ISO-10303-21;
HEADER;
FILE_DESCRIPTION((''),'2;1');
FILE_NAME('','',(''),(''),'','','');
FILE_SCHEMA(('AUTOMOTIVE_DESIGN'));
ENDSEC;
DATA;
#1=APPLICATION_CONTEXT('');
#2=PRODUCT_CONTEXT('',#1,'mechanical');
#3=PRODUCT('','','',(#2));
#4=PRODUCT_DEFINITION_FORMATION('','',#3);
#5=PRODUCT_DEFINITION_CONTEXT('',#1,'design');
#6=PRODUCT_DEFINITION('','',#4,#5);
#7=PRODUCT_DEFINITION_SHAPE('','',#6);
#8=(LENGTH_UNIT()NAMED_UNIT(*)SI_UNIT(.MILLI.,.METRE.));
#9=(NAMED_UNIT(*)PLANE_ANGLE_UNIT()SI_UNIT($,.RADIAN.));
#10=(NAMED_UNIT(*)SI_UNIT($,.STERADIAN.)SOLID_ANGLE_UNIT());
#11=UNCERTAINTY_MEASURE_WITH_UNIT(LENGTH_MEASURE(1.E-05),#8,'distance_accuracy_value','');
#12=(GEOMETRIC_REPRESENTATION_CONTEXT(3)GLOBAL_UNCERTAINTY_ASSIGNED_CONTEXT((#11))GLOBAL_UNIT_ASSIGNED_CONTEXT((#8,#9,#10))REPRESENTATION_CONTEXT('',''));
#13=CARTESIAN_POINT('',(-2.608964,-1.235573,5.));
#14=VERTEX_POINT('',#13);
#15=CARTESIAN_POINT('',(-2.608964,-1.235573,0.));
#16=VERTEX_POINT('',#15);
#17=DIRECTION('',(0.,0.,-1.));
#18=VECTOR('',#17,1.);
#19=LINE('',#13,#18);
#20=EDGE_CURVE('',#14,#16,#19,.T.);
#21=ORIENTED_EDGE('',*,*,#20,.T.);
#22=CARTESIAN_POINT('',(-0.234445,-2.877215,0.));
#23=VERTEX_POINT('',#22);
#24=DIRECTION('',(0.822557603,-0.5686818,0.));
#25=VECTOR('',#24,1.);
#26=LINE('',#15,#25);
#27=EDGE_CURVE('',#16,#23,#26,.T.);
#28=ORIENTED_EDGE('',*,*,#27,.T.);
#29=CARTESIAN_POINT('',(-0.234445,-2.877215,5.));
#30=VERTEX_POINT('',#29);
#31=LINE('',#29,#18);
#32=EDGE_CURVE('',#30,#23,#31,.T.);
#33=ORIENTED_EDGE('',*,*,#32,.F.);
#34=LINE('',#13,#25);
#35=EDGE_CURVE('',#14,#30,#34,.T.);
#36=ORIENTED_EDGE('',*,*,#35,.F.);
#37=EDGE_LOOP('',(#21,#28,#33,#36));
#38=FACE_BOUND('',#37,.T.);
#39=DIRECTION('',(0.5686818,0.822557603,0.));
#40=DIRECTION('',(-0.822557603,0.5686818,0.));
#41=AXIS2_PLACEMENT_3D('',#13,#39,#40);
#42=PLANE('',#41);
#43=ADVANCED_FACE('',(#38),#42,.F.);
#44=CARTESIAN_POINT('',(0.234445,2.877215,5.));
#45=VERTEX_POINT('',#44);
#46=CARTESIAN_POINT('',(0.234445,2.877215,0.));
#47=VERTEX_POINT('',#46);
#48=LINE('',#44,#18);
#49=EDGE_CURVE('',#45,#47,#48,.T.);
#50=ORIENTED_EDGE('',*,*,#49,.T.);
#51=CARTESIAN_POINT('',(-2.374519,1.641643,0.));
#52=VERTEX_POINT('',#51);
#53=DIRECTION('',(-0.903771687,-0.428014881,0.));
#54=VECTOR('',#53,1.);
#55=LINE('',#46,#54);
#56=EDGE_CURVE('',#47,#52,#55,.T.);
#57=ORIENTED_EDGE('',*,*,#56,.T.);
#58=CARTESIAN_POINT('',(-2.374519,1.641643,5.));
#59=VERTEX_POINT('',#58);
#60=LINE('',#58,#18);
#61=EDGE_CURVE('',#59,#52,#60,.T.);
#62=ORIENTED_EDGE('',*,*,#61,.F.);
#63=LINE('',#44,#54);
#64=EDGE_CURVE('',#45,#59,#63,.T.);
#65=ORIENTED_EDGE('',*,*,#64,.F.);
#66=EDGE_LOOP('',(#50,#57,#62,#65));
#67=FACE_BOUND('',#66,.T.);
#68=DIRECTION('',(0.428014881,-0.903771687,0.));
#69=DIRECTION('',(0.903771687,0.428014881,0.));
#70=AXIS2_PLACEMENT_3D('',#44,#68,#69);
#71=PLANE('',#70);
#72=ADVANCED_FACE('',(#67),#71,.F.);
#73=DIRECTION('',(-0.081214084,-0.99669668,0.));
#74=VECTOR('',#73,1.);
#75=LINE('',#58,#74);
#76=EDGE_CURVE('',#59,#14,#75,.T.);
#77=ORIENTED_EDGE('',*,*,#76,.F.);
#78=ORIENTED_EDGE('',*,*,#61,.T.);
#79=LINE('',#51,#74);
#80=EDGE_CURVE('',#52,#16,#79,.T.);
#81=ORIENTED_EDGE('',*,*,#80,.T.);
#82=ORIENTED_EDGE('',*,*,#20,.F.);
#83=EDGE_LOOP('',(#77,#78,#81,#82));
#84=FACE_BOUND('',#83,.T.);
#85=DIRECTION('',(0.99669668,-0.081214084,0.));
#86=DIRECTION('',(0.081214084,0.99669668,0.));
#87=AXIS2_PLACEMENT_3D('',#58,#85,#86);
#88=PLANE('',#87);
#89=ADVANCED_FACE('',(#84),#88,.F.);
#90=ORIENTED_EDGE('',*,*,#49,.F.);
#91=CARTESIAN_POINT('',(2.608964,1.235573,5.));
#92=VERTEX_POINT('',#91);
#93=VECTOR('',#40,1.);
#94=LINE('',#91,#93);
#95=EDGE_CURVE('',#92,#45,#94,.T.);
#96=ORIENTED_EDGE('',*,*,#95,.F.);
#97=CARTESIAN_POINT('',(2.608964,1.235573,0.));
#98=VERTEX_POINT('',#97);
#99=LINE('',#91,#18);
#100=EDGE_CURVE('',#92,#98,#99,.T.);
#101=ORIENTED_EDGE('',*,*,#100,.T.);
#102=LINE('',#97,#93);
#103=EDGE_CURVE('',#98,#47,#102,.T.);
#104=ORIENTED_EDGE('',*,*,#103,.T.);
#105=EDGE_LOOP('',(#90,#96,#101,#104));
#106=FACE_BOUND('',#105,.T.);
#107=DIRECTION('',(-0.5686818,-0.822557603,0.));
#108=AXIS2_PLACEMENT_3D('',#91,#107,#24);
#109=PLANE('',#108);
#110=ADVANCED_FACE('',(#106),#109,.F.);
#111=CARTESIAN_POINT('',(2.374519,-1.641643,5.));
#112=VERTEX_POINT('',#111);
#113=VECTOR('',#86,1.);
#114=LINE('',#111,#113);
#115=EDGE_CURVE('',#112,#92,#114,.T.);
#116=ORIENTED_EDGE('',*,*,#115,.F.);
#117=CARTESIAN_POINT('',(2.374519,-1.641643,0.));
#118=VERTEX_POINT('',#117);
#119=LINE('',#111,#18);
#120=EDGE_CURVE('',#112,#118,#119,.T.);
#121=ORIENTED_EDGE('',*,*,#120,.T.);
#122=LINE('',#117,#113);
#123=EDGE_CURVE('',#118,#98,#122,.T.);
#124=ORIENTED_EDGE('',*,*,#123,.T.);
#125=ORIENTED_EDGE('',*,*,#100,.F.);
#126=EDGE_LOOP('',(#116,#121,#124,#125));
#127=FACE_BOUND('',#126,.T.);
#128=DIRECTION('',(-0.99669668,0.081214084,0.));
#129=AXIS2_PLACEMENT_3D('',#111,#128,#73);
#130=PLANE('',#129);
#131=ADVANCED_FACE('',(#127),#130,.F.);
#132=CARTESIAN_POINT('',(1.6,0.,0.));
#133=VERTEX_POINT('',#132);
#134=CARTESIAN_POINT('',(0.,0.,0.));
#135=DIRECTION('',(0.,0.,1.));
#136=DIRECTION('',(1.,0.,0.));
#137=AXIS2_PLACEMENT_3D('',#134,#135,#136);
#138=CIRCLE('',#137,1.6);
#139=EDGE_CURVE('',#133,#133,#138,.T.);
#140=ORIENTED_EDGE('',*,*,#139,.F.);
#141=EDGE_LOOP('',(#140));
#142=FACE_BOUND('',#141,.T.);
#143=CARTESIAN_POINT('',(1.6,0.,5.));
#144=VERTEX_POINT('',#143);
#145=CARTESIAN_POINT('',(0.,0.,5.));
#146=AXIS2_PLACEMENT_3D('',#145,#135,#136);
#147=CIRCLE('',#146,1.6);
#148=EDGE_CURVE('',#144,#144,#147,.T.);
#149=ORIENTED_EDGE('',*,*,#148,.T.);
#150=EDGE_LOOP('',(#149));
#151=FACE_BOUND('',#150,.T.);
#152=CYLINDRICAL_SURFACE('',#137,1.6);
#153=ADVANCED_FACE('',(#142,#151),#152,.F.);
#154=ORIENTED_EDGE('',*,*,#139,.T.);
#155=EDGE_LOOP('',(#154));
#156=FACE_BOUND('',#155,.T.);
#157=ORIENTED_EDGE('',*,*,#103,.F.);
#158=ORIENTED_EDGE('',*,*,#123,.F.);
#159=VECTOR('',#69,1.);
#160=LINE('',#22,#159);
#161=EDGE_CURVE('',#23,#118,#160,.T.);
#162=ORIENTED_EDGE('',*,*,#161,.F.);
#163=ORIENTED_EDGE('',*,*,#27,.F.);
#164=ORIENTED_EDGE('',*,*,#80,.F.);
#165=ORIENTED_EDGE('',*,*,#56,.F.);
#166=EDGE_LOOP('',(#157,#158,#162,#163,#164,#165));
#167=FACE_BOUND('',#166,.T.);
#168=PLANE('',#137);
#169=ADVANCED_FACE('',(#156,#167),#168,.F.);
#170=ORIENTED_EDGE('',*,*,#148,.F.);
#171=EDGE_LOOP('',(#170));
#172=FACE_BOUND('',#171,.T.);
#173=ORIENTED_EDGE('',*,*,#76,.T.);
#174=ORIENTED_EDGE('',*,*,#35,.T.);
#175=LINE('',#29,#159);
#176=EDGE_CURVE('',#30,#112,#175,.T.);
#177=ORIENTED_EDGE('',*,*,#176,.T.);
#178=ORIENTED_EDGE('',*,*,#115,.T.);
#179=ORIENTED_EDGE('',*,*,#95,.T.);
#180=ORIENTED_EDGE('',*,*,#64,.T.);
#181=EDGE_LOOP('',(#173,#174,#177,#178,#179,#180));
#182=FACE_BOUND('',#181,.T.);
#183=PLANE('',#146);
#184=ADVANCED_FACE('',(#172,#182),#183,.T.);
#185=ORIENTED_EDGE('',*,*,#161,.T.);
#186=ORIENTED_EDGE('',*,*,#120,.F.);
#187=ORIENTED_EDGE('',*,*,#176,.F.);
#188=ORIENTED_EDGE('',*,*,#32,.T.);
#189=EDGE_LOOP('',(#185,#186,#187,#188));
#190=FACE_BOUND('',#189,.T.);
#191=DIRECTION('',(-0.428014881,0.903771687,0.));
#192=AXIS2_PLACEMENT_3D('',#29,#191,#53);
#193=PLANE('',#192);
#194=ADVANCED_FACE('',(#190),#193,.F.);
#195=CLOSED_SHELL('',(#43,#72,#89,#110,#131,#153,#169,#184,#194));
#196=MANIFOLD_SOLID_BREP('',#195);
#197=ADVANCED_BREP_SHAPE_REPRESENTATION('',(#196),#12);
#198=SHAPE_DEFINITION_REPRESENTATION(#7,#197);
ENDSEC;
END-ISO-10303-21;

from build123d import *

# Parameters (mm, degrees)
BOSS_EXTRUDE1_DEPTH = 5
SKETCH2_R           = 1.6
CUT_EXTRUDE1_DEPTH  = 5


with BuildPart() as part:
    # Sketch1 → Boss-Extrude1 (new body)
    with BuildSketch(Plane.XY):
        Polygon((-2.374519268, 1.641642951), (-2.608964134, -1.235572533), (-0.234444865, -2.877215483), (2.374519268, -1.641642951), (2.608964134, 1.235572533), (0.234444865, 2.877215483), align=None)
    extrude(amount=BOSS_EXTRUDE1_DEPTH)

    # Sketch2 → Cut-Extrude1 (cut)
    with BuildSketch(Plane.XY.offset(5)):
        Circle(SKETCH2_R)
    extrude(amount=-CUT_EXTRUDE1_DEPTH, mode=Mode.SUBTRACT)


solid = part.part
